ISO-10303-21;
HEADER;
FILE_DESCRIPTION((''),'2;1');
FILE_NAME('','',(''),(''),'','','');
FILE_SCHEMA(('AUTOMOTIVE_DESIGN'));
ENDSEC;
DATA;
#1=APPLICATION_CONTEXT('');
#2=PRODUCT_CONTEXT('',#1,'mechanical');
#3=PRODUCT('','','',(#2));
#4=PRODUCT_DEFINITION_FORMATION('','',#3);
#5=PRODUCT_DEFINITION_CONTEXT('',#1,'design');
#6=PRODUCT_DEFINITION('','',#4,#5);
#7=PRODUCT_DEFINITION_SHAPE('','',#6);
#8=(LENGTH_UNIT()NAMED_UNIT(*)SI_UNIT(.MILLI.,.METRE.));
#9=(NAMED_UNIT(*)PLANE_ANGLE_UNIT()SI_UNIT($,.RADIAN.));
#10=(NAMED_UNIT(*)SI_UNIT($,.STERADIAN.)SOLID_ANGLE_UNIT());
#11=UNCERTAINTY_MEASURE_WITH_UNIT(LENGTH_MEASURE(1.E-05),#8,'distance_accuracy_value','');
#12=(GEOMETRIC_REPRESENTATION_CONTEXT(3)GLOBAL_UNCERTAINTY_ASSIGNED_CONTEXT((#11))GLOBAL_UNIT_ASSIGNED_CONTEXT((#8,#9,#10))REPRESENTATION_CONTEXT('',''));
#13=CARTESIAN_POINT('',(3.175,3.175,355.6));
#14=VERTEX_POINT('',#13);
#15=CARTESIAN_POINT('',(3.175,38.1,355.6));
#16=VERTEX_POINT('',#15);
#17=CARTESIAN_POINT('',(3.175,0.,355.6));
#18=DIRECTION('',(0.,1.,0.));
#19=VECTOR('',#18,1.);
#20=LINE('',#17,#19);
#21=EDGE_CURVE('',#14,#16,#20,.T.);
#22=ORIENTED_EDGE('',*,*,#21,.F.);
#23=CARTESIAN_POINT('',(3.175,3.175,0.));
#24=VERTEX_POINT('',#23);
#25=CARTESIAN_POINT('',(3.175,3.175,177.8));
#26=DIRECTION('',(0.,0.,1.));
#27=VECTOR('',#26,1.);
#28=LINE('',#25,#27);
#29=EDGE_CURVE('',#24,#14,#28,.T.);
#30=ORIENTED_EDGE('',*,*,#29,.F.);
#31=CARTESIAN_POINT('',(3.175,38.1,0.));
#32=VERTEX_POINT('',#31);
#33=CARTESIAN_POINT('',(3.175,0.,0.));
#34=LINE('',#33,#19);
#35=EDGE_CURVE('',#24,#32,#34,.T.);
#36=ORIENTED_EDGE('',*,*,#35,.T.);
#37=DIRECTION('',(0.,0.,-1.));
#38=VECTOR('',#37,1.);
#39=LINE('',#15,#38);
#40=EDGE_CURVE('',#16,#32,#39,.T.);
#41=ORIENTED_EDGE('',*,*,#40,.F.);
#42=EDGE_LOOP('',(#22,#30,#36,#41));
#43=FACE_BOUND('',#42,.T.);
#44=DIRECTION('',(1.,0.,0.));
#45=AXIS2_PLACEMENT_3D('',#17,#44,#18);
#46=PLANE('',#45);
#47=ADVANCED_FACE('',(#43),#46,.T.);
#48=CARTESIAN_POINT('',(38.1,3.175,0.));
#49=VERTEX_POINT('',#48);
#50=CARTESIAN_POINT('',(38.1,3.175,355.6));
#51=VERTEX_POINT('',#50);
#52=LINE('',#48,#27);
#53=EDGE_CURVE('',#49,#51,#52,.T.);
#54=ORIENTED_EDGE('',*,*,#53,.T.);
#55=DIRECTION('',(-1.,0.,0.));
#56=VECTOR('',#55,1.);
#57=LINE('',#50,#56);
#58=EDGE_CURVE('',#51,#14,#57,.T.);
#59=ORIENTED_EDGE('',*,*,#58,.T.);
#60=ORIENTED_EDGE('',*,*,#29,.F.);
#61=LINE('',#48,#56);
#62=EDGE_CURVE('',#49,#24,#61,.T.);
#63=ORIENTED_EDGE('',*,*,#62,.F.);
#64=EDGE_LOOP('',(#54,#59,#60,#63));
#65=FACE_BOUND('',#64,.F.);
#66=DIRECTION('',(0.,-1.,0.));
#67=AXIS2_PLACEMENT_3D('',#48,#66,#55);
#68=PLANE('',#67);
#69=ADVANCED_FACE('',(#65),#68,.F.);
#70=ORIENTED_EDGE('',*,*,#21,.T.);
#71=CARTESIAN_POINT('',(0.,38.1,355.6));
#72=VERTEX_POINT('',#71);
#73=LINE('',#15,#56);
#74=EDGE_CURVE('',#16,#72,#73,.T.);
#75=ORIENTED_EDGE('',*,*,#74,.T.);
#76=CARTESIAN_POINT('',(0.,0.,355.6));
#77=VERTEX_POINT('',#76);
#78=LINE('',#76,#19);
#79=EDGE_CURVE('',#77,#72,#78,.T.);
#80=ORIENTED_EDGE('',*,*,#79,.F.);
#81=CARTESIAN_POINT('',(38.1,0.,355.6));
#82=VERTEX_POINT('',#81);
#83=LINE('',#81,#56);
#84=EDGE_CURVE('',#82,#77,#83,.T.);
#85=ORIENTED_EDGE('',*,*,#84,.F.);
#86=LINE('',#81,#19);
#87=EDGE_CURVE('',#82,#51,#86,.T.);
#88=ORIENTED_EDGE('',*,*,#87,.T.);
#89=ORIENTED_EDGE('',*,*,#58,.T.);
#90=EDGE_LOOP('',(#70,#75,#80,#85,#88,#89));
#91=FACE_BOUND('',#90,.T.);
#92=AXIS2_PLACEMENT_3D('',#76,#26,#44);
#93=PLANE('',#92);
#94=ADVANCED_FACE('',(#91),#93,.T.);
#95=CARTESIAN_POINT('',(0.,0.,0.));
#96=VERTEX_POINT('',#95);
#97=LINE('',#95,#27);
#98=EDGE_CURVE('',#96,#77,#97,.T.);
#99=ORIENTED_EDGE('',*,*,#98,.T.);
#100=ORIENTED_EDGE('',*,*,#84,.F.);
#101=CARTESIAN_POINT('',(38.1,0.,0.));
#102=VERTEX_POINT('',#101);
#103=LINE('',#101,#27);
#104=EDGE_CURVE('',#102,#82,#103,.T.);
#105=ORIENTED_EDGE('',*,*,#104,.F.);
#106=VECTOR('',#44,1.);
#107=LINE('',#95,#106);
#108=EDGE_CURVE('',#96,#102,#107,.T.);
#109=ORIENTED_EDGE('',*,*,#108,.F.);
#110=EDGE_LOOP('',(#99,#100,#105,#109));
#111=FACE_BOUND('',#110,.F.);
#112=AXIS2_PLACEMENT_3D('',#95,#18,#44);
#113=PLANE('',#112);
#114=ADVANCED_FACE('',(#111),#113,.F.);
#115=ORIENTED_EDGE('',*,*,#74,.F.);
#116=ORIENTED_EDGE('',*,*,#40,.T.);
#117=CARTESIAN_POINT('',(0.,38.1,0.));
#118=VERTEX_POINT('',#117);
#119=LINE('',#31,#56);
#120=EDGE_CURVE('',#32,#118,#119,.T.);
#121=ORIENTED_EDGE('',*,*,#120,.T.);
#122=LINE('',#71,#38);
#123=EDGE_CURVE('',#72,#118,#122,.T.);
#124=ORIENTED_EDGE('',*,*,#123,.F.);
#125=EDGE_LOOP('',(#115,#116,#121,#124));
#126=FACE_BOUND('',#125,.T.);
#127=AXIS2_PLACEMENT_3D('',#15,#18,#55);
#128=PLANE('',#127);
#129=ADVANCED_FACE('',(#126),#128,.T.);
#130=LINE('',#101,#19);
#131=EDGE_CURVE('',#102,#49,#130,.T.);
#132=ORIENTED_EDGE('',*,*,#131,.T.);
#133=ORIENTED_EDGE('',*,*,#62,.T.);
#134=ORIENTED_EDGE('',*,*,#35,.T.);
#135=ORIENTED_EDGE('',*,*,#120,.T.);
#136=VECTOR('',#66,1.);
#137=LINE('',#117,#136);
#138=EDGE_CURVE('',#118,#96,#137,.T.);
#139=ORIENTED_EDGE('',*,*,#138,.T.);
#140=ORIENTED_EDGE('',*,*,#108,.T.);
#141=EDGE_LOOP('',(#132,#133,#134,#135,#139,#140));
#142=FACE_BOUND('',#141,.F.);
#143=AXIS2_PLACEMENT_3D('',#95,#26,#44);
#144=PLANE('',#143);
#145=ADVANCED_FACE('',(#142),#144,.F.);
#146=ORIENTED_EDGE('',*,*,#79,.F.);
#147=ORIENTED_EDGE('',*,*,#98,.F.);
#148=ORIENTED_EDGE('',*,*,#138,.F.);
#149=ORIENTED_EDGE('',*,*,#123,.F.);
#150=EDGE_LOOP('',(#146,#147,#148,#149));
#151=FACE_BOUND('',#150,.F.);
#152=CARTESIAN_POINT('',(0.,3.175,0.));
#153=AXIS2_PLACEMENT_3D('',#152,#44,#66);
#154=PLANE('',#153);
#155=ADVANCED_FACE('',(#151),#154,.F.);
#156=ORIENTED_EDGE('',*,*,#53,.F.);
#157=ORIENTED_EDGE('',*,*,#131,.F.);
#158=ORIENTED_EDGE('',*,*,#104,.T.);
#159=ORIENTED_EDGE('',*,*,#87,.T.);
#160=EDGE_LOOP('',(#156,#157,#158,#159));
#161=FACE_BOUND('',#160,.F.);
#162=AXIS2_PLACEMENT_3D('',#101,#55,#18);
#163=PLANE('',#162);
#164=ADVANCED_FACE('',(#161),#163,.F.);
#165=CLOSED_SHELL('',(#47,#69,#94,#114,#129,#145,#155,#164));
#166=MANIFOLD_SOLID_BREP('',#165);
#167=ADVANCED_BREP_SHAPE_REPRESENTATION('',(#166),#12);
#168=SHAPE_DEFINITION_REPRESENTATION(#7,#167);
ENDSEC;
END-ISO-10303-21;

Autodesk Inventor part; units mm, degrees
ref_plane "YZ Plane" through (0, 0, 0) normal (1, 0, 0) x (0, 1, 0)
ref_plane "XZ Plane" through (0, 0, 0) normal (0, 1, 0) x (-1, 0, 0)
ref_plane "XY Plane" through (0, 0, 0) normal (0, 0, 1) x (1, 0, 0)
sketch "Sketch1" plane through (0, 0, 0) normal (0, 0, 1) x (1, 0, 0)
  line L0 (0, 0) -> (38.1, 0)
  line L1 (38.1, 0) -> (38.1, 3.175)
  line L2 (38.1, 3.175) -> (0, 3.175)
  line L3 (0, 3.175) -> (0, 0)
  dimension "d0" = 38.1
  dimension "d1" = 3.175
extrude "Extrusion1" add sketch "Sketch1" along normal blind 355.6
sketch "Sketch2" plane through (0, 0, 355.6) normal (0, 0, 1) x (1, 0, 0)
  line L0 (0, 0) -> (3.175, 0)
  line L1 (3.175, 0) -> (3.175, 38.1)
  line L2 (3.175, 38.1) -> (0, 38.1)
  line L3 (0, 38.1) -> (0, 0)
  dimension "d4" = 3.175
  dimension "d5" = 38.1
extrude "Extrusion2" add sketch "Sketch2" against normal blind 355.6
properties part number "14in L Channel"
